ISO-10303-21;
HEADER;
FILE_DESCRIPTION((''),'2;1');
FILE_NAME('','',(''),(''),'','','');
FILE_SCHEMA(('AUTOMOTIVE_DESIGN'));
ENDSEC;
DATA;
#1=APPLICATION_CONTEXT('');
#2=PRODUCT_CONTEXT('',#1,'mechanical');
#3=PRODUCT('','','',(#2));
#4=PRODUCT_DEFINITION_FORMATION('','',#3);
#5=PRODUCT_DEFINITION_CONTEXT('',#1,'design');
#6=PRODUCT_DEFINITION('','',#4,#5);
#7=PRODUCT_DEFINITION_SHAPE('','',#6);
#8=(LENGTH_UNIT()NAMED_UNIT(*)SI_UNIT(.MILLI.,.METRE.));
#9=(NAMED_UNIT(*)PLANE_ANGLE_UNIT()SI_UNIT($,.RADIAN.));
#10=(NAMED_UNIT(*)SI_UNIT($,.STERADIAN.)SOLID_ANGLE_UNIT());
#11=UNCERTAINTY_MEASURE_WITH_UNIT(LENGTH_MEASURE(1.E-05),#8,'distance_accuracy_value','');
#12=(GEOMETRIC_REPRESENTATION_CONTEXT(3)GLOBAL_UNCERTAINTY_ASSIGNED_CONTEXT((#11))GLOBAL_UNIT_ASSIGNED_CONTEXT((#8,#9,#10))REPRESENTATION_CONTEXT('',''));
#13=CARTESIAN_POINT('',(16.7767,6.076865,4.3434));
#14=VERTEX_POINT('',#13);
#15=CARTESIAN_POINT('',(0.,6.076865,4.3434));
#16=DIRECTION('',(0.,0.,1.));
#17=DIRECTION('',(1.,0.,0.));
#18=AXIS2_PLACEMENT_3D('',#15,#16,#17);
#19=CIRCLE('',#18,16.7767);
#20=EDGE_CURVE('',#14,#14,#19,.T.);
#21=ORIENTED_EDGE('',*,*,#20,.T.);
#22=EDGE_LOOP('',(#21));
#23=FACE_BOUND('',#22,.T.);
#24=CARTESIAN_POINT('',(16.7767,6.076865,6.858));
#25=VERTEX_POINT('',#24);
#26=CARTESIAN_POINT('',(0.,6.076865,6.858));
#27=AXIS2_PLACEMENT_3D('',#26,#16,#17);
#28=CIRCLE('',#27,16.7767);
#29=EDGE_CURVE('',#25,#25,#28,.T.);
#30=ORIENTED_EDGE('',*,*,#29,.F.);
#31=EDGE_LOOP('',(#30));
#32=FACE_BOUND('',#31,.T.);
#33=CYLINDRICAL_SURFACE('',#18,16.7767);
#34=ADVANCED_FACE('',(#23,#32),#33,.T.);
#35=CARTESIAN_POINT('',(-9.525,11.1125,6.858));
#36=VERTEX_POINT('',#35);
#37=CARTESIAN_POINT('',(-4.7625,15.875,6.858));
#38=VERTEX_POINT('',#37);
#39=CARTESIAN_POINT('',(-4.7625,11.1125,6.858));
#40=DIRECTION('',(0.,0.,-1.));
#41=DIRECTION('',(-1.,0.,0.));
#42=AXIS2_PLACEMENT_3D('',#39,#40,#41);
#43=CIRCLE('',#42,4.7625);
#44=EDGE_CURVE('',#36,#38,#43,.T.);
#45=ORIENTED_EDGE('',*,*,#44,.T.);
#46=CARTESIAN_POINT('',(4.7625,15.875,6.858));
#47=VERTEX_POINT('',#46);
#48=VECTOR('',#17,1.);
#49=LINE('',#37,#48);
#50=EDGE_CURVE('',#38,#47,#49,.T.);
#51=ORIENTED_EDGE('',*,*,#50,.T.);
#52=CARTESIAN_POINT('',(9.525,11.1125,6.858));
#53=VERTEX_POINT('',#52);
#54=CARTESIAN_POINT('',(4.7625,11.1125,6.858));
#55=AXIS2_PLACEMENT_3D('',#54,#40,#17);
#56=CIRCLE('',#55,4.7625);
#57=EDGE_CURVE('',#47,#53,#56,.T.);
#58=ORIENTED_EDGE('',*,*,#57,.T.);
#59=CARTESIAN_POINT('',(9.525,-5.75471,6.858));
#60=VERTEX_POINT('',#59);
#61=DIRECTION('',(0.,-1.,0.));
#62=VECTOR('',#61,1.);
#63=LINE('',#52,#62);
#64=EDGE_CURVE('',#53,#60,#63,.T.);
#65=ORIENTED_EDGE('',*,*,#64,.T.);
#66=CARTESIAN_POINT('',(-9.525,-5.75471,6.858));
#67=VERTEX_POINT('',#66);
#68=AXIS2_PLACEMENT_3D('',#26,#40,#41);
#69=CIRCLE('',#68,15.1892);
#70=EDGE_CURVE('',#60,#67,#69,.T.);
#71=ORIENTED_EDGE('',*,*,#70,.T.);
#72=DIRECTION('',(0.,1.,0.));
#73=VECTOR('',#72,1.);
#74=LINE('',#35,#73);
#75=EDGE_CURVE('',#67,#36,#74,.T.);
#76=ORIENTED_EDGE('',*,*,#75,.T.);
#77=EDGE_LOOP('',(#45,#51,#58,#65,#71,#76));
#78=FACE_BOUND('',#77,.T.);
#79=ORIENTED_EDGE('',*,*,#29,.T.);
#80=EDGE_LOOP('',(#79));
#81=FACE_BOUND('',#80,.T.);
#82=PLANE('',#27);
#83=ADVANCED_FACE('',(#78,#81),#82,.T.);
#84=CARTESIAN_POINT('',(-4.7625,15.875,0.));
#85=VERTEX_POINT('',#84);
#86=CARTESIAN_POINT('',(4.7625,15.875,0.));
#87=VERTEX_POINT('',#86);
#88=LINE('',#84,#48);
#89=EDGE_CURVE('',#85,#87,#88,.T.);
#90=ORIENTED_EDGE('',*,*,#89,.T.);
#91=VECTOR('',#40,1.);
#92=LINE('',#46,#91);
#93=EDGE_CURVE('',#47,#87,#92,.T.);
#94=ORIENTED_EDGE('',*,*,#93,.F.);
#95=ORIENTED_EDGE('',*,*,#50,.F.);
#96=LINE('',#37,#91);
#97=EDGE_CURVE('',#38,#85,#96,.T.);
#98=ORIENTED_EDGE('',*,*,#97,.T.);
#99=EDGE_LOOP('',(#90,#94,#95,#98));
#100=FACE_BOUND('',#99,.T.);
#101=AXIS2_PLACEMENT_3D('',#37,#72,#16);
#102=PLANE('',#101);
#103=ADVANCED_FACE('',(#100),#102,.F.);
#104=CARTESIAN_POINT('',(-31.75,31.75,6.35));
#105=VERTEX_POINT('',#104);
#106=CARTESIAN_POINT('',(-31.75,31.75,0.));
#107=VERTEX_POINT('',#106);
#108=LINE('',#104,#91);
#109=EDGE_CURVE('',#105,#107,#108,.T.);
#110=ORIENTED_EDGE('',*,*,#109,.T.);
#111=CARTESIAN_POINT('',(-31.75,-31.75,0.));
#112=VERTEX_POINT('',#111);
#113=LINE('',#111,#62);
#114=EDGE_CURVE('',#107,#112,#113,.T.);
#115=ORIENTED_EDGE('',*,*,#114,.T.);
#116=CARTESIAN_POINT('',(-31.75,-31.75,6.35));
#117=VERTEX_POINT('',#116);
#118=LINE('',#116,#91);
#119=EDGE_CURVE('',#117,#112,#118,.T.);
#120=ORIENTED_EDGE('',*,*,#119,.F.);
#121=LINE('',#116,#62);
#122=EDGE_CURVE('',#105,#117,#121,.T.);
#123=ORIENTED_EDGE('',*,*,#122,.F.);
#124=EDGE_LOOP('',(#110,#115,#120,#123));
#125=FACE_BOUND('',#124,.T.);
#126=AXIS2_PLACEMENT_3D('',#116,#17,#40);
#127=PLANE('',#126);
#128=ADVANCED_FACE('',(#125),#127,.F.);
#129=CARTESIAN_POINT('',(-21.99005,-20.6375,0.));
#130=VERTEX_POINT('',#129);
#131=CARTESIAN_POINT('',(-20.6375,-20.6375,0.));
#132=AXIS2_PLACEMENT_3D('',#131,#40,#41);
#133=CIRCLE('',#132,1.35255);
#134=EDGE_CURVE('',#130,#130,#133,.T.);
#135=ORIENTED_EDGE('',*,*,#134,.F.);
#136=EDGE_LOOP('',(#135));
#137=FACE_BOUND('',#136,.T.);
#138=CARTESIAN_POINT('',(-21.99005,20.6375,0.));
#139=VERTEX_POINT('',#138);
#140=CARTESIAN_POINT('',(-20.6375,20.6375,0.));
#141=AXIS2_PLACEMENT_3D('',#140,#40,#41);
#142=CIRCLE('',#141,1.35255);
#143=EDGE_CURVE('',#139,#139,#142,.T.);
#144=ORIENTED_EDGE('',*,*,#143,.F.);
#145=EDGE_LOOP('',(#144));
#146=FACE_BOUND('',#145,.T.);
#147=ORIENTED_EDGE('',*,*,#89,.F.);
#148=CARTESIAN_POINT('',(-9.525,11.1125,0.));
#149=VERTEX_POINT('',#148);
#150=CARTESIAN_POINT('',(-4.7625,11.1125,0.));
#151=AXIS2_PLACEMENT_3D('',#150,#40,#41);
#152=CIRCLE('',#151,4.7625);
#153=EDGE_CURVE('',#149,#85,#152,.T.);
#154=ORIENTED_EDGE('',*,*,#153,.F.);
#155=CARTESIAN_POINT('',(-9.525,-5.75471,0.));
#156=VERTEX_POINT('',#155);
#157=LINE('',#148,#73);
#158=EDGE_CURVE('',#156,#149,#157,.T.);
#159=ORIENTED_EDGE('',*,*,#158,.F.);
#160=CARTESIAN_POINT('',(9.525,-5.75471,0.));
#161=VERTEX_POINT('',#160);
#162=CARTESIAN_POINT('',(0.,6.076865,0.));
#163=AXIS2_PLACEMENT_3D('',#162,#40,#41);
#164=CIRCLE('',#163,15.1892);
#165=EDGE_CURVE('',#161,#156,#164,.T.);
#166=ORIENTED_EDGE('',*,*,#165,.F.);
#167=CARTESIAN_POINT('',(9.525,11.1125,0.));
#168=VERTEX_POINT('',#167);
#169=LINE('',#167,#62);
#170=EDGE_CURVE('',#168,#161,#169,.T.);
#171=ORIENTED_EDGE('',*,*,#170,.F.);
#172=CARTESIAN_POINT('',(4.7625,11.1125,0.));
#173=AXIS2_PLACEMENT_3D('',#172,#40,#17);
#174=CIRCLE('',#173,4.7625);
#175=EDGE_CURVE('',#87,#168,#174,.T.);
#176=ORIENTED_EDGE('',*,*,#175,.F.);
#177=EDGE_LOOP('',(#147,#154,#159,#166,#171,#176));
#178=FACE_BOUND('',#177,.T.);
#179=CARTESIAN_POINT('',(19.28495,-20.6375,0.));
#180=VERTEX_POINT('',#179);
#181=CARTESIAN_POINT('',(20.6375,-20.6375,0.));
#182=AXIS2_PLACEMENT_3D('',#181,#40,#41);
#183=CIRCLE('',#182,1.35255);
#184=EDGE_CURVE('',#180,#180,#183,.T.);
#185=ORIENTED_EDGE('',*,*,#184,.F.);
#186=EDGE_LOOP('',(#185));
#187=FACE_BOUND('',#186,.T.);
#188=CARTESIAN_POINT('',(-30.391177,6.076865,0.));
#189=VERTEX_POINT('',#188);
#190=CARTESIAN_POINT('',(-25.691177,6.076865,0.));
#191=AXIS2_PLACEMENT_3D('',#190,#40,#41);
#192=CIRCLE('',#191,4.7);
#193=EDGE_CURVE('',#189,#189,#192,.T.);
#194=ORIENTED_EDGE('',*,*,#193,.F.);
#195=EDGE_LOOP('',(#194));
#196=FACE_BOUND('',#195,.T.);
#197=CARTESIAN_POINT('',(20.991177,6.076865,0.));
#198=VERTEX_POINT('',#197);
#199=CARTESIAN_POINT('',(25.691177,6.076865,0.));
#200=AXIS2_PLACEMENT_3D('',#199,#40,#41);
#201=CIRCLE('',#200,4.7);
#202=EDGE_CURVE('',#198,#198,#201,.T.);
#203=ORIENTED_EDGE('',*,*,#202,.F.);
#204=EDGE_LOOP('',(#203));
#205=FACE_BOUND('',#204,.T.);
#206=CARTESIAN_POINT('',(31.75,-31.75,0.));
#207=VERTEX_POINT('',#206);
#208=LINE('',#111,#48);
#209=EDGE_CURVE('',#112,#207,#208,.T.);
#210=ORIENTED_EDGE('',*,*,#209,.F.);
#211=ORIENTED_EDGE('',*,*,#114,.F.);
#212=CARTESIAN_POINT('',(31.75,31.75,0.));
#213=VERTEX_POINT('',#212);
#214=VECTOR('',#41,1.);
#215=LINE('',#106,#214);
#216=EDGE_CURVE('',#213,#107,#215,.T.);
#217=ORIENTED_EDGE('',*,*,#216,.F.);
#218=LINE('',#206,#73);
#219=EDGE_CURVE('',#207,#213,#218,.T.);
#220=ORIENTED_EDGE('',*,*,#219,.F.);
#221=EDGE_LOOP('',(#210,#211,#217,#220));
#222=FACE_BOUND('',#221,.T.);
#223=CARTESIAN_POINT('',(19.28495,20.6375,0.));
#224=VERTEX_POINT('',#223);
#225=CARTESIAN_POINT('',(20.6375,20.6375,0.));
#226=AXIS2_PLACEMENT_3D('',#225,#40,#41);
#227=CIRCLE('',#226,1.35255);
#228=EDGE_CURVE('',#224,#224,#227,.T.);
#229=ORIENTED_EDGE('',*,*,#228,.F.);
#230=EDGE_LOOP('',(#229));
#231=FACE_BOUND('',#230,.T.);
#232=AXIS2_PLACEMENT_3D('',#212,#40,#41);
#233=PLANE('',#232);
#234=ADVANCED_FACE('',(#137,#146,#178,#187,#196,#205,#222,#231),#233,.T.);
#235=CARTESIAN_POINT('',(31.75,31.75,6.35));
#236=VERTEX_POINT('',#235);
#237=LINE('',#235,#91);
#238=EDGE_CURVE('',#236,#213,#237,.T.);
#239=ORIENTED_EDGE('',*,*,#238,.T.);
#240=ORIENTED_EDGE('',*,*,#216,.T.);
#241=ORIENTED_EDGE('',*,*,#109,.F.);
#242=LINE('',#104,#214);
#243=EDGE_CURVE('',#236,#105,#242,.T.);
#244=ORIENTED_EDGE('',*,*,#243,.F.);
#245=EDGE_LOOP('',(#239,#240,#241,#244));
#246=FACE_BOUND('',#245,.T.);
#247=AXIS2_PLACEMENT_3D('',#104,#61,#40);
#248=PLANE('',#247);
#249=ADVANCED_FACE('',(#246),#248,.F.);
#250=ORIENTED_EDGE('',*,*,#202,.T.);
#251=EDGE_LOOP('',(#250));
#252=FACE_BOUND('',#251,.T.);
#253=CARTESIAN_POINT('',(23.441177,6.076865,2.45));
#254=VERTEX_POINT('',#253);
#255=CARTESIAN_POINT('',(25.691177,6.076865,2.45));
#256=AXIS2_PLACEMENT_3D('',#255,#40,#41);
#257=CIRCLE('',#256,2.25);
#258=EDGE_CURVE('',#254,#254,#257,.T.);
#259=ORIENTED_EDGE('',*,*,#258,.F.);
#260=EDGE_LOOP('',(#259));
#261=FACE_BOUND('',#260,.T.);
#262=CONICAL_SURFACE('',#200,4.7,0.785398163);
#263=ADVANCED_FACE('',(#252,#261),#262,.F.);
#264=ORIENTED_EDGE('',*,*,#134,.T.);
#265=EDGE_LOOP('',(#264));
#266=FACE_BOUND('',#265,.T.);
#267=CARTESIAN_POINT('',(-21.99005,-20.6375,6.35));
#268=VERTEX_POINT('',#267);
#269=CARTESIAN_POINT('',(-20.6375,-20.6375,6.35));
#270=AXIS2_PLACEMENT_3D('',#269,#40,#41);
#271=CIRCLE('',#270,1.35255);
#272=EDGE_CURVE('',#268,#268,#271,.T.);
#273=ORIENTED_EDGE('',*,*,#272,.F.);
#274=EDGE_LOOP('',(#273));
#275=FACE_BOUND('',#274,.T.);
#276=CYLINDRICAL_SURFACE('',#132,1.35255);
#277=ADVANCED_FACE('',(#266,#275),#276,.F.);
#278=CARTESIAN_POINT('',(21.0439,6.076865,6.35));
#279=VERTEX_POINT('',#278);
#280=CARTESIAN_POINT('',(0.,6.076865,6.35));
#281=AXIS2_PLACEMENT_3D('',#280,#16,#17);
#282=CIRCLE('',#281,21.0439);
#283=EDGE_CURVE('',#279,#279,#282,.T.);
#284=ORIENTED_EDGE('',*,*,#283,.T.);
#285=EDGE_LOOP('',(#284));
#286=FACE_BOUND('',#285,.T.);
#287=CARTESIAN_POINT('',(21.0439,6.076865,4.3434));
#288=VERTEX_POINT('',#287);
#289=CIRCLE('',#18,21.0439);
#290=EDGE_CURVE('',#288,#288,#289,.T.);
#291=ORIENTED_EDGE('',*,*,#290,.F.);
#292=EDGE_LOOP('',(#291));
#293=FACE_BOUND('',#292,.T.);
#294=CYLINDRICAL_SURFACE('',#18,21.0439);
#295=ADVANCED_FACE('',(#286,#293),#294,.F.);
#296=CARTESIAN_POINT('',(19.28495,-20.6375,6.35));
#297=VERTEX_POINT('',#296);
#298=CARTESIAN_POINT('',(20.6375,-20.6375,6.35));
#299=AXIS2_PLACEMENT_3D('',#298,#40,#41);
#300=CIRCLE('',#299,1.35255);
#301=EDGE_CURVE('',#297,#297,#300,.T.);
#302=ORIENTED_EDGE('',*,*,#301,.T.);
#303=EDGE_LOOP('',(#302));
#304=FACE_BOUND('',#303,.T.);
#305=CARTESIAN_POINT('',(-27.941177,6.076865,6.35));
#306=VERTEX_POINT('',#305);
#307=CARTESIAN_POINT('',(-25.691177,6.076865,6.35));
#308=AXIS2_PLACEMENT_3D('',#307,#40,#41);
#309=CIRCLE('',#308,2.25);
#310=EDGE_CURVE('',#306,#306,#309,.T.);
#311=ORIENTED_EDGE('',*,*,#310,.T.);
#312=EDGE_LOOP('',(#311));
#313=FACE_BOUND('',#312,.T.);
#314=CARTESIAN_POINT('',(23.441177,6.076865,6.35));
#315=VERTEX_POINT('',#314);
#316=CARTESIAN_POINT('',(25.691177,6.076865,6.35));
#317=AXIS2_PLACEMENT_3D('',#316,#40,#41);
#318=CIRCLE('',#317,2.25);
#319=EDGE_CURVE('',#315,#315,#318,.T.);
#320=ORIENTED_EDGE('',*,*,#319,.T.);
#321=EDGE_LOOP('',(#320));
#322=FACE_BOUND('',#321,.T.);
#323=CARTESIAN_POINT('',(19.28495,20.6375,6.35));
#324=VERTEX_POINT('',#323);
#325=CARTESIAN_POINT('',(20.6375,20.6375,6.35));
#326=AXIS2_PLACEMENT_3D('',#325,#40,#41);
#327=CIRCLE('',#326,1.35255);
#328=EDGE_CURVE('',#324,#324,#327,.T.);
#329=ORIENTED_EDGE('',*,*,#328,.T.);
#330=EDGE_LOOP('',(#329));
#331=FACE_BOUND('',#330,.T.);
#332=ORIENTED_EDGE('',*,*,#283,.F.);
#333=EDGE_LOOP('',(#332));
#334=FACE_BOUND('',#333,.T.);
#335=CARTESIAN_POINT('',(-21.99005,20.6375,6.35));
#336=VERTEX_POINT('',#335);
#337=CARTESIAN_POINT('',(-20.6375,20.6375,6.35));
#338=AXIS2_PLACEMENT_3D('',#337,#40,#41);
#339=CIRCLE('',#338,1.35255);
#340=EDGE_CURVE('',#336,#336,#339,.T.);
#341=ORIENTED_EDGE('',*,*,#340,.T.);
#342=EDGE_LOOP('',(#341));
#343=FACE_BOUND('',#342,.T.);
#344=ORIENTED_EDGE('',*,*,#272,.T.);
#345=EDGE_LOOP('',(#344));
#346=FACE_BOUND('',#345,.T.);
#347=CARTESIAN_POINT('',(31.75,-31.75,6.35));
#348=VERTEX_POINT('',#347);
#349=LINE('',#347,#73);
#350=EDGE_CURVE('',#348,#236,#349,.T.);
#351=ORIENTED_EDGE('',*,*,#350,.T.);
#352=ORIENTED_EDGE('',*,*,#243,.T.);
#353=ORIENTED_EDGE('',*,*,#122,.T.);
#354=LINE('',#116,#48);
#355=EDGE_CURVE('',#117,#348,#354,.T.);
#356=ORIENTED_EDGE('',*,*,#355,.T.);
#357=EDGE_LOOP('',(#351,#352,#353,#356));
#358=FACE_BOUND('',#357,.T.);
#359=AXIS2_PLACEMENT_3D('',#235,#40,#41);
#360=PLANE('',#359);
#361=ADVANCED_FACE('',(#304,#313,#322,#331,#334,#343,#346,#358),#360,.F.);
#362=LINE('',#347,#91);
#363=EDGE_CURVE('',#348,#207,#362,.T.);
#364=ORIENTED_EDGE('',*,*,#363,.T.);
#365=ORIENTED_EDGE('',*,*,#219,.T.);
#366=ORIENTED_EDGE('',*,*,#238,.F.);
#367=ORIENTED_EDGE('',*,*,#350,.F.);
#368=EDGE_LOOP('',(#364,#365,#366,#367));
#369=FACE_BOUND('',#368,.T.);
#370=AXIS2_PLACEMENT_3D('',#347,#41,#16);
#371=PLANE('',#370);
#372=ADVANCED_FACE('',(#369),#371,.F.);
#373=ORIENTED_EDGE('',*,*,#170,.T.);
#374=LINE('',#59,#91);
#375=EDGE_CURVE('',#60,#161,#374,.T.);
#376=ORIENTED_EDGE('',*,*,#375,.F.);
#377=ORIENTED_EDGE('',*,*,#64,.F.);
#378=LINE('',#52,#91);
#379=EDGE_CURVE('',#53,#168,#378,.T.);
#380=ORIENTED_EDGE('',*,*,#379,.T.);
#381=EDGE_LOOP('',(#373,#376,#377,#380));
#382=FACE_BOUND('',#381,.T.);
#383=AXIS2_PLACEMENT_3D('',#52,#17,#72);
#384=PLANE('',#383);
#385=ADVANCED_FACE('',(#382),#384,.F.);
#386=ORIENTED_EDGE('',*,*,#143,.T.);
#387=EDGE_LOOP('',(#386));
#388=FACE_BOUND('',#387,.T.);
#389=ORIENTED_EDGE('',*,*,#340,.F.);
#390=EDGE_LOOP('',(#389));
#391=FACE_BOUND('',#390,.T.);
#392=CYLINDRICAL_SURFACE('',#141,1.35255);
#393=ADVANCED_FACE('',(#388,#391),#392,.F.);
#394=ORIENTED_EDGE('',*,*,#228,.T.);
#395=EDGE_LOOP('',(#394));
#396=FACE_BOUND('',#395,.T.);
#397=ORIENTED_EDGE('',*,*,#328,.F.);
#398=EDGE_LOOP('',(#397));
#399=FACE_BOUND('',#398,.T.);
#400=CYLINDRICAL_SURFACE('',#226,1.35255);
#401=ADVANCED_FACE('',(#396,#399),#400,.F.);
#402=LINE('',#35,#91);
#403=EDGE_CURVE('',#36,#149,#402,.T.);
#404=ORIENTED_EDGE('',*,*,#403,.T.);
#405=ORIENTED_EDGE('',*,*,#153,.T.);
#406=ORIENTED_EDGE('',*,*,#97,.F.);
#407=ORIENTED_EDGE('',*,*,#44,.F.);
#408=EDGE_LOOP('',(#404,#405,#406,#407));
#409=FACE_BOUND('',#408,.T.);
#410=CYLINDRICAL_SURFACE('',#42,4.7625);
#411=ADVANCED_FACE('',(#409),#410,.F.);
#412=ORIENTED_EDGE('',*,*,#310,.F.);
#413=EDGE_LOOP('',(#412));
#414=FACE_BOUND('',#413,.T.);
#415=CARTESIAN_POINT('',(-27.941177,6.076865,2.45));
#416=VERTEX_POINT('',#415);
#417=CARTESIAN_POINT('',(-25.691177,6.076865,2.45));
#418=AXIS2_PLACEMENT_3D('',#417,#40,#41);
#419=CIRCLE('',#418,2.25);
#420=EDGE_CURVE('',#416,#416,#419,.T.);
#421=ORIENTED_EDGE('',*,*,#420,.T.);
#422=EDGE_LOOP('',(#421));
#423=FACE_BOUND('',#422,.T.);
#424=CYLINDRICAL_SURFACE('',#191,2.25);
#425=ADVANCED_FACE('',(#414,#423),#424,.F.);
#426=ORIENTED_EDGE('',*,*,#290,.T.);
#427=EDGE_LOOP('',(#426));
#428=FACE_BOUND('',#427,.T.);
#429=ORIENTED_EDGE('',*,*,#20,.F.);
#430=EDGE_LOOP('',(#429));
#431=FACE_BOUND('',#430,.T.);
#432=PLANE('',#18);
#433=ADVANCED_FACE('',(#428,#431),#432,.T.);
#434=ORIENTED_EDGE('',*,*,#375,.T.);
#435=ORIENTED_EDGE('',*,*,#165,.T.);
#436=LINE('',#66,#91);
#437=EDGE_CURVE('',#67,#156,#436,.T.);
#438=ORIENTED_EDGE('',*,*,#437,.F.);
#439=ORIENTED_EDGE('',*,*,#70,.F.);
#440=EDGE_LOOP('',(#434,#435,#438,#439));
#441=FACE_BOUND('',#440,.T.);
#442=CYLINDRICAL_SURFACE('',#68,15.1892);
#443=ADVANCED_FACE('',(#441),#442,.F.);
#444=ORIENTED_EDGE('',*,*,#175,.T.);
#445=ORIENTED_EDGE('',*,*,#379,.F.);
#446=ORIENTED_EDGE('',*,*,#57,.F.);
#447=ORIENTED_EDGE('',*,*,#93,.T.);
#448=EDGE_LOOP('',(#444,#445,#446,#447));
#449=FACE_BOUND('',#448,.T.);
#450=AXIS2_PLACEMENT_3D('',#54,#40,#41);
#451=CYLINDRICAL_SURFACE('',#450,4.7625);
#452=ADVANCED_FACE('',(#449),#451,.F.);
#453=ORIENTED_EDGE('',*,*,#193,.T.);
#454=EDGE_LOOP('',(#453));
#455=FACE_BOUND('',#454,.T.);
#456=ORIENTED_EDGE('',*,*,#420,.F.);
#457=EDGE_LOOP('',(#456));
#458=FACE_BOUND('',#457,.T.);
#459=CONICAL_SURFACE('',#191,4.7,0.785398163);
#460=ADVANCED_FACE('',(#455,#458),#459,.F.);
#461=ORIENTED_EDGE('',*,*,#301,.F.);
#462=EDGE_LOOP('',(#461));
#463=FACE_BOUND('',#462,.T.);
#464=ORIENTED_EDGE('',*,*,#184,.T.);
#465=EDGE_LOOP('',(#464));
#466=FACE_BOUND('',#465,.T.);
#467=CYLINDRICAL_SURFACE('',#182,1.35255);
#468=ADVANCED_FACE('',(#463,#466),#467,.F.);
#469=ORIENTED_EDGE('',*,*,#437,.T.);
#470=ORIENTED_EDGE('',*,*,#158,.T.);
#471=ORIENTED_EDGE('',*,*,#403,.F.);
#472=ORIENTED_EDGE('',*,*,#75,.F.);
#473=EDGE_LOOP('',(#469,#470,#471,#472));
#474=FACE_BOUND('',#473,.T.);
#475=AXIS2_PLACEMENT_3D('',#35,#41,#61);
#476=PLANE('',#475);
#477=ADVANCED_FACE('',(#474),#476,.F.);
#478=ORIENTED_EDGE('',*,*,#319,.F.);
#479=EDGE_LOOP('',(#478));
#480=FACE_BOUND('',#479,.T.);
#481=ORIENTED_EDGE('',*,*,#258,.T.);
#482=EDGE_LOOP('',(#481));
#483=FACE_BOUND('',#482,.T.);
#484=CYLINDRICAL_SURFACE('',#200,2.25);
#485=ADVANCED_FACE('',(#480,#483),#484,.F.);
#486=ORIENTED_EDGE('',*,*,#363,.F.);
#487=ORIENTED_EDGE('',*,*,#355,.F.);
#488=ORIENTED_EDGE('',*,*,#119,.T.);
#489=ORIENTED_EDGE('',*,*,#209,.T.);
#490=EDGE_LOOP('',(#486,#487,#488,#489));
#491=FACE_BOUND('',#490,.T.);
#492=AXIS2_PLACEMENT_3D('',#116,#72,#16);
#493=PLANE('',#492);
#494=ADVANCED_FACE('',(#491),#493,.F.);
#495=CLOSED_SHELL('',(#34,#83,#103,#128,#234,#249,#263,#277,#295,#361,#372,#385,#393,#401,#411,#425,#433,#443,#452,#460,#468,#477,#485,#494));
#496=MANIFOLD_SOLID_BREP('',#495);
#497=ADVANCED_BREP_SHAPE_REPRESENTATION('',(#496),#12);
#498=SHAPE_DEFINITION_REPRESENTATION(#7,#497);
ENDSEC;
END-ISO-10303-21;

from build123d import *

# Parameters (mm, degrees)
SKETCH1_W                                       = 63.5
SKETCH1_H                                       = 63.5
BOSS_EXTRUDE1_DEPTH                             = 6.35
F_6_32_TAPPED_HOLE1_D                           = 2.7051
SKETCH4_R                                       = 21.0439
SKETCH4_R_2                                     = 16.7767
CUT_EXTRUDE1_DEPTH                              = 2.0066
SKETCH5_R                                       = 16.7767
BOSS_EXTRUDE2_DEPTH                             = 0.508
CSK_FOR_M4_FLAT_HEAD_MACHINE_SCREW1_D           = 4.5
CSK_FOR_M4_FLAT_HEAD_MACHINE_SCREW1_CSINK_D     = 9.4
CSK_FOR_M4_FLAT_HEAD_MACHINE_SCREW1_CSINK_ANGLE = 90
CUT_EXTRUDE2_DEPTH                              = 7.858


with BuildPart() as part:
    # Sketch1 → Boss-Extrude1 (new body)
    with BuildSketch(Plane.XY):
        Rectangle(SKETCH1_W, SKETCH1_H)
    extrude(amount=BOSS_EXTRUDE1_DEPTH)

    # #6-32 Tapped Hole1 (through all)
    with Locations(Plane(origin=(0, 0, 0), x_dir=(-1, 0, 0), z_dir=(0, 0, -1))):
        with Locations((20.6375, -20.6375), (-20.6375, -20.6375), (-20.6375, 20.6375), (20.6375, 20.6375)):
            Hole(F_6_32_TAPPED_HOLE1_D / 2)

    # Sketch4 → Cut-Extrude1 (cut)
    with BuildSketch(Plane.XY.offset(6.35)):
        with Locations((0, 6.076865153)):
            Circle(SKETCH4_R)
        with Locations((0, 6.076865153)):
            Circle(SKETCH4_R_2, mode=Mode.SUBTRACT)
    extrude(amount=-CUT_EXTRUDE1_DEPTH, mode=Mode.SUBTRACT)

    # Sketch5 → Boss-Extrude2 (add)
    with BuildSketch(Plane.XY.offset(6.35)):
        with Locations((0, 6.076865153)):
            Circle(SKETCH5_R)
    extrude(amount=BOSS_EXTRUDE2_DEPTH)

    # CSK for M4 Flat Head Machine Screw1 (through all)
    with Locations(Plane(origin=(0, 0, 0), x_dir=(-1, 0, 0), z_dir=(0, 0, -1))):
        with Locations((-25.691176831, 6.076865153), (25.691176831, 6.076865153)):
            CounterSinkHole(CSK_FOR_M4_FLAT_HEAD_MACHINE_SCREW1_D / 2, CSK_FOR_M4_FLAT_HEAD_MACHINE_SCREW1_CSINK_D / 2, counter_sink_angle=CSK_FOR_M4_FLAT_HEAD_MACHINE_SCREW1_CSINK_ANGLE)

    # Sketch9 → Cut-Extrude2 (cut, through all)
    with BuildSketch(Plane(origin=(0, 0, 0), x_dir=(-1, 0, 0), z_dir=(0, 0, -1))):
        with BuildLine():
            Line((9.525, 11.1125), (9.525, -5.754710044))
            ThreePointArc((9.525, -5.754710044), (0, -9.112334847), (-9.525, -5.754710044))
            Line((-9.525, -5.754710044), (-9.525, 11.1125))
            ThreePointArc((-9.525, 11.1125), (-8.130096045, 14.480096045), (-4.7625, 15.875))
            Line((-4.7625, 15.875), (4.7625, 15.875))
            ThreePointArc((4.7625, 15.875), (8.130096045, 14.480096045), (9.525, 11.1125))
        make_face()
    extrude(amount=-CUT_EXTRUDE2_DEPTH, mode=Mode.SUBTRACT)


solid = part.part
